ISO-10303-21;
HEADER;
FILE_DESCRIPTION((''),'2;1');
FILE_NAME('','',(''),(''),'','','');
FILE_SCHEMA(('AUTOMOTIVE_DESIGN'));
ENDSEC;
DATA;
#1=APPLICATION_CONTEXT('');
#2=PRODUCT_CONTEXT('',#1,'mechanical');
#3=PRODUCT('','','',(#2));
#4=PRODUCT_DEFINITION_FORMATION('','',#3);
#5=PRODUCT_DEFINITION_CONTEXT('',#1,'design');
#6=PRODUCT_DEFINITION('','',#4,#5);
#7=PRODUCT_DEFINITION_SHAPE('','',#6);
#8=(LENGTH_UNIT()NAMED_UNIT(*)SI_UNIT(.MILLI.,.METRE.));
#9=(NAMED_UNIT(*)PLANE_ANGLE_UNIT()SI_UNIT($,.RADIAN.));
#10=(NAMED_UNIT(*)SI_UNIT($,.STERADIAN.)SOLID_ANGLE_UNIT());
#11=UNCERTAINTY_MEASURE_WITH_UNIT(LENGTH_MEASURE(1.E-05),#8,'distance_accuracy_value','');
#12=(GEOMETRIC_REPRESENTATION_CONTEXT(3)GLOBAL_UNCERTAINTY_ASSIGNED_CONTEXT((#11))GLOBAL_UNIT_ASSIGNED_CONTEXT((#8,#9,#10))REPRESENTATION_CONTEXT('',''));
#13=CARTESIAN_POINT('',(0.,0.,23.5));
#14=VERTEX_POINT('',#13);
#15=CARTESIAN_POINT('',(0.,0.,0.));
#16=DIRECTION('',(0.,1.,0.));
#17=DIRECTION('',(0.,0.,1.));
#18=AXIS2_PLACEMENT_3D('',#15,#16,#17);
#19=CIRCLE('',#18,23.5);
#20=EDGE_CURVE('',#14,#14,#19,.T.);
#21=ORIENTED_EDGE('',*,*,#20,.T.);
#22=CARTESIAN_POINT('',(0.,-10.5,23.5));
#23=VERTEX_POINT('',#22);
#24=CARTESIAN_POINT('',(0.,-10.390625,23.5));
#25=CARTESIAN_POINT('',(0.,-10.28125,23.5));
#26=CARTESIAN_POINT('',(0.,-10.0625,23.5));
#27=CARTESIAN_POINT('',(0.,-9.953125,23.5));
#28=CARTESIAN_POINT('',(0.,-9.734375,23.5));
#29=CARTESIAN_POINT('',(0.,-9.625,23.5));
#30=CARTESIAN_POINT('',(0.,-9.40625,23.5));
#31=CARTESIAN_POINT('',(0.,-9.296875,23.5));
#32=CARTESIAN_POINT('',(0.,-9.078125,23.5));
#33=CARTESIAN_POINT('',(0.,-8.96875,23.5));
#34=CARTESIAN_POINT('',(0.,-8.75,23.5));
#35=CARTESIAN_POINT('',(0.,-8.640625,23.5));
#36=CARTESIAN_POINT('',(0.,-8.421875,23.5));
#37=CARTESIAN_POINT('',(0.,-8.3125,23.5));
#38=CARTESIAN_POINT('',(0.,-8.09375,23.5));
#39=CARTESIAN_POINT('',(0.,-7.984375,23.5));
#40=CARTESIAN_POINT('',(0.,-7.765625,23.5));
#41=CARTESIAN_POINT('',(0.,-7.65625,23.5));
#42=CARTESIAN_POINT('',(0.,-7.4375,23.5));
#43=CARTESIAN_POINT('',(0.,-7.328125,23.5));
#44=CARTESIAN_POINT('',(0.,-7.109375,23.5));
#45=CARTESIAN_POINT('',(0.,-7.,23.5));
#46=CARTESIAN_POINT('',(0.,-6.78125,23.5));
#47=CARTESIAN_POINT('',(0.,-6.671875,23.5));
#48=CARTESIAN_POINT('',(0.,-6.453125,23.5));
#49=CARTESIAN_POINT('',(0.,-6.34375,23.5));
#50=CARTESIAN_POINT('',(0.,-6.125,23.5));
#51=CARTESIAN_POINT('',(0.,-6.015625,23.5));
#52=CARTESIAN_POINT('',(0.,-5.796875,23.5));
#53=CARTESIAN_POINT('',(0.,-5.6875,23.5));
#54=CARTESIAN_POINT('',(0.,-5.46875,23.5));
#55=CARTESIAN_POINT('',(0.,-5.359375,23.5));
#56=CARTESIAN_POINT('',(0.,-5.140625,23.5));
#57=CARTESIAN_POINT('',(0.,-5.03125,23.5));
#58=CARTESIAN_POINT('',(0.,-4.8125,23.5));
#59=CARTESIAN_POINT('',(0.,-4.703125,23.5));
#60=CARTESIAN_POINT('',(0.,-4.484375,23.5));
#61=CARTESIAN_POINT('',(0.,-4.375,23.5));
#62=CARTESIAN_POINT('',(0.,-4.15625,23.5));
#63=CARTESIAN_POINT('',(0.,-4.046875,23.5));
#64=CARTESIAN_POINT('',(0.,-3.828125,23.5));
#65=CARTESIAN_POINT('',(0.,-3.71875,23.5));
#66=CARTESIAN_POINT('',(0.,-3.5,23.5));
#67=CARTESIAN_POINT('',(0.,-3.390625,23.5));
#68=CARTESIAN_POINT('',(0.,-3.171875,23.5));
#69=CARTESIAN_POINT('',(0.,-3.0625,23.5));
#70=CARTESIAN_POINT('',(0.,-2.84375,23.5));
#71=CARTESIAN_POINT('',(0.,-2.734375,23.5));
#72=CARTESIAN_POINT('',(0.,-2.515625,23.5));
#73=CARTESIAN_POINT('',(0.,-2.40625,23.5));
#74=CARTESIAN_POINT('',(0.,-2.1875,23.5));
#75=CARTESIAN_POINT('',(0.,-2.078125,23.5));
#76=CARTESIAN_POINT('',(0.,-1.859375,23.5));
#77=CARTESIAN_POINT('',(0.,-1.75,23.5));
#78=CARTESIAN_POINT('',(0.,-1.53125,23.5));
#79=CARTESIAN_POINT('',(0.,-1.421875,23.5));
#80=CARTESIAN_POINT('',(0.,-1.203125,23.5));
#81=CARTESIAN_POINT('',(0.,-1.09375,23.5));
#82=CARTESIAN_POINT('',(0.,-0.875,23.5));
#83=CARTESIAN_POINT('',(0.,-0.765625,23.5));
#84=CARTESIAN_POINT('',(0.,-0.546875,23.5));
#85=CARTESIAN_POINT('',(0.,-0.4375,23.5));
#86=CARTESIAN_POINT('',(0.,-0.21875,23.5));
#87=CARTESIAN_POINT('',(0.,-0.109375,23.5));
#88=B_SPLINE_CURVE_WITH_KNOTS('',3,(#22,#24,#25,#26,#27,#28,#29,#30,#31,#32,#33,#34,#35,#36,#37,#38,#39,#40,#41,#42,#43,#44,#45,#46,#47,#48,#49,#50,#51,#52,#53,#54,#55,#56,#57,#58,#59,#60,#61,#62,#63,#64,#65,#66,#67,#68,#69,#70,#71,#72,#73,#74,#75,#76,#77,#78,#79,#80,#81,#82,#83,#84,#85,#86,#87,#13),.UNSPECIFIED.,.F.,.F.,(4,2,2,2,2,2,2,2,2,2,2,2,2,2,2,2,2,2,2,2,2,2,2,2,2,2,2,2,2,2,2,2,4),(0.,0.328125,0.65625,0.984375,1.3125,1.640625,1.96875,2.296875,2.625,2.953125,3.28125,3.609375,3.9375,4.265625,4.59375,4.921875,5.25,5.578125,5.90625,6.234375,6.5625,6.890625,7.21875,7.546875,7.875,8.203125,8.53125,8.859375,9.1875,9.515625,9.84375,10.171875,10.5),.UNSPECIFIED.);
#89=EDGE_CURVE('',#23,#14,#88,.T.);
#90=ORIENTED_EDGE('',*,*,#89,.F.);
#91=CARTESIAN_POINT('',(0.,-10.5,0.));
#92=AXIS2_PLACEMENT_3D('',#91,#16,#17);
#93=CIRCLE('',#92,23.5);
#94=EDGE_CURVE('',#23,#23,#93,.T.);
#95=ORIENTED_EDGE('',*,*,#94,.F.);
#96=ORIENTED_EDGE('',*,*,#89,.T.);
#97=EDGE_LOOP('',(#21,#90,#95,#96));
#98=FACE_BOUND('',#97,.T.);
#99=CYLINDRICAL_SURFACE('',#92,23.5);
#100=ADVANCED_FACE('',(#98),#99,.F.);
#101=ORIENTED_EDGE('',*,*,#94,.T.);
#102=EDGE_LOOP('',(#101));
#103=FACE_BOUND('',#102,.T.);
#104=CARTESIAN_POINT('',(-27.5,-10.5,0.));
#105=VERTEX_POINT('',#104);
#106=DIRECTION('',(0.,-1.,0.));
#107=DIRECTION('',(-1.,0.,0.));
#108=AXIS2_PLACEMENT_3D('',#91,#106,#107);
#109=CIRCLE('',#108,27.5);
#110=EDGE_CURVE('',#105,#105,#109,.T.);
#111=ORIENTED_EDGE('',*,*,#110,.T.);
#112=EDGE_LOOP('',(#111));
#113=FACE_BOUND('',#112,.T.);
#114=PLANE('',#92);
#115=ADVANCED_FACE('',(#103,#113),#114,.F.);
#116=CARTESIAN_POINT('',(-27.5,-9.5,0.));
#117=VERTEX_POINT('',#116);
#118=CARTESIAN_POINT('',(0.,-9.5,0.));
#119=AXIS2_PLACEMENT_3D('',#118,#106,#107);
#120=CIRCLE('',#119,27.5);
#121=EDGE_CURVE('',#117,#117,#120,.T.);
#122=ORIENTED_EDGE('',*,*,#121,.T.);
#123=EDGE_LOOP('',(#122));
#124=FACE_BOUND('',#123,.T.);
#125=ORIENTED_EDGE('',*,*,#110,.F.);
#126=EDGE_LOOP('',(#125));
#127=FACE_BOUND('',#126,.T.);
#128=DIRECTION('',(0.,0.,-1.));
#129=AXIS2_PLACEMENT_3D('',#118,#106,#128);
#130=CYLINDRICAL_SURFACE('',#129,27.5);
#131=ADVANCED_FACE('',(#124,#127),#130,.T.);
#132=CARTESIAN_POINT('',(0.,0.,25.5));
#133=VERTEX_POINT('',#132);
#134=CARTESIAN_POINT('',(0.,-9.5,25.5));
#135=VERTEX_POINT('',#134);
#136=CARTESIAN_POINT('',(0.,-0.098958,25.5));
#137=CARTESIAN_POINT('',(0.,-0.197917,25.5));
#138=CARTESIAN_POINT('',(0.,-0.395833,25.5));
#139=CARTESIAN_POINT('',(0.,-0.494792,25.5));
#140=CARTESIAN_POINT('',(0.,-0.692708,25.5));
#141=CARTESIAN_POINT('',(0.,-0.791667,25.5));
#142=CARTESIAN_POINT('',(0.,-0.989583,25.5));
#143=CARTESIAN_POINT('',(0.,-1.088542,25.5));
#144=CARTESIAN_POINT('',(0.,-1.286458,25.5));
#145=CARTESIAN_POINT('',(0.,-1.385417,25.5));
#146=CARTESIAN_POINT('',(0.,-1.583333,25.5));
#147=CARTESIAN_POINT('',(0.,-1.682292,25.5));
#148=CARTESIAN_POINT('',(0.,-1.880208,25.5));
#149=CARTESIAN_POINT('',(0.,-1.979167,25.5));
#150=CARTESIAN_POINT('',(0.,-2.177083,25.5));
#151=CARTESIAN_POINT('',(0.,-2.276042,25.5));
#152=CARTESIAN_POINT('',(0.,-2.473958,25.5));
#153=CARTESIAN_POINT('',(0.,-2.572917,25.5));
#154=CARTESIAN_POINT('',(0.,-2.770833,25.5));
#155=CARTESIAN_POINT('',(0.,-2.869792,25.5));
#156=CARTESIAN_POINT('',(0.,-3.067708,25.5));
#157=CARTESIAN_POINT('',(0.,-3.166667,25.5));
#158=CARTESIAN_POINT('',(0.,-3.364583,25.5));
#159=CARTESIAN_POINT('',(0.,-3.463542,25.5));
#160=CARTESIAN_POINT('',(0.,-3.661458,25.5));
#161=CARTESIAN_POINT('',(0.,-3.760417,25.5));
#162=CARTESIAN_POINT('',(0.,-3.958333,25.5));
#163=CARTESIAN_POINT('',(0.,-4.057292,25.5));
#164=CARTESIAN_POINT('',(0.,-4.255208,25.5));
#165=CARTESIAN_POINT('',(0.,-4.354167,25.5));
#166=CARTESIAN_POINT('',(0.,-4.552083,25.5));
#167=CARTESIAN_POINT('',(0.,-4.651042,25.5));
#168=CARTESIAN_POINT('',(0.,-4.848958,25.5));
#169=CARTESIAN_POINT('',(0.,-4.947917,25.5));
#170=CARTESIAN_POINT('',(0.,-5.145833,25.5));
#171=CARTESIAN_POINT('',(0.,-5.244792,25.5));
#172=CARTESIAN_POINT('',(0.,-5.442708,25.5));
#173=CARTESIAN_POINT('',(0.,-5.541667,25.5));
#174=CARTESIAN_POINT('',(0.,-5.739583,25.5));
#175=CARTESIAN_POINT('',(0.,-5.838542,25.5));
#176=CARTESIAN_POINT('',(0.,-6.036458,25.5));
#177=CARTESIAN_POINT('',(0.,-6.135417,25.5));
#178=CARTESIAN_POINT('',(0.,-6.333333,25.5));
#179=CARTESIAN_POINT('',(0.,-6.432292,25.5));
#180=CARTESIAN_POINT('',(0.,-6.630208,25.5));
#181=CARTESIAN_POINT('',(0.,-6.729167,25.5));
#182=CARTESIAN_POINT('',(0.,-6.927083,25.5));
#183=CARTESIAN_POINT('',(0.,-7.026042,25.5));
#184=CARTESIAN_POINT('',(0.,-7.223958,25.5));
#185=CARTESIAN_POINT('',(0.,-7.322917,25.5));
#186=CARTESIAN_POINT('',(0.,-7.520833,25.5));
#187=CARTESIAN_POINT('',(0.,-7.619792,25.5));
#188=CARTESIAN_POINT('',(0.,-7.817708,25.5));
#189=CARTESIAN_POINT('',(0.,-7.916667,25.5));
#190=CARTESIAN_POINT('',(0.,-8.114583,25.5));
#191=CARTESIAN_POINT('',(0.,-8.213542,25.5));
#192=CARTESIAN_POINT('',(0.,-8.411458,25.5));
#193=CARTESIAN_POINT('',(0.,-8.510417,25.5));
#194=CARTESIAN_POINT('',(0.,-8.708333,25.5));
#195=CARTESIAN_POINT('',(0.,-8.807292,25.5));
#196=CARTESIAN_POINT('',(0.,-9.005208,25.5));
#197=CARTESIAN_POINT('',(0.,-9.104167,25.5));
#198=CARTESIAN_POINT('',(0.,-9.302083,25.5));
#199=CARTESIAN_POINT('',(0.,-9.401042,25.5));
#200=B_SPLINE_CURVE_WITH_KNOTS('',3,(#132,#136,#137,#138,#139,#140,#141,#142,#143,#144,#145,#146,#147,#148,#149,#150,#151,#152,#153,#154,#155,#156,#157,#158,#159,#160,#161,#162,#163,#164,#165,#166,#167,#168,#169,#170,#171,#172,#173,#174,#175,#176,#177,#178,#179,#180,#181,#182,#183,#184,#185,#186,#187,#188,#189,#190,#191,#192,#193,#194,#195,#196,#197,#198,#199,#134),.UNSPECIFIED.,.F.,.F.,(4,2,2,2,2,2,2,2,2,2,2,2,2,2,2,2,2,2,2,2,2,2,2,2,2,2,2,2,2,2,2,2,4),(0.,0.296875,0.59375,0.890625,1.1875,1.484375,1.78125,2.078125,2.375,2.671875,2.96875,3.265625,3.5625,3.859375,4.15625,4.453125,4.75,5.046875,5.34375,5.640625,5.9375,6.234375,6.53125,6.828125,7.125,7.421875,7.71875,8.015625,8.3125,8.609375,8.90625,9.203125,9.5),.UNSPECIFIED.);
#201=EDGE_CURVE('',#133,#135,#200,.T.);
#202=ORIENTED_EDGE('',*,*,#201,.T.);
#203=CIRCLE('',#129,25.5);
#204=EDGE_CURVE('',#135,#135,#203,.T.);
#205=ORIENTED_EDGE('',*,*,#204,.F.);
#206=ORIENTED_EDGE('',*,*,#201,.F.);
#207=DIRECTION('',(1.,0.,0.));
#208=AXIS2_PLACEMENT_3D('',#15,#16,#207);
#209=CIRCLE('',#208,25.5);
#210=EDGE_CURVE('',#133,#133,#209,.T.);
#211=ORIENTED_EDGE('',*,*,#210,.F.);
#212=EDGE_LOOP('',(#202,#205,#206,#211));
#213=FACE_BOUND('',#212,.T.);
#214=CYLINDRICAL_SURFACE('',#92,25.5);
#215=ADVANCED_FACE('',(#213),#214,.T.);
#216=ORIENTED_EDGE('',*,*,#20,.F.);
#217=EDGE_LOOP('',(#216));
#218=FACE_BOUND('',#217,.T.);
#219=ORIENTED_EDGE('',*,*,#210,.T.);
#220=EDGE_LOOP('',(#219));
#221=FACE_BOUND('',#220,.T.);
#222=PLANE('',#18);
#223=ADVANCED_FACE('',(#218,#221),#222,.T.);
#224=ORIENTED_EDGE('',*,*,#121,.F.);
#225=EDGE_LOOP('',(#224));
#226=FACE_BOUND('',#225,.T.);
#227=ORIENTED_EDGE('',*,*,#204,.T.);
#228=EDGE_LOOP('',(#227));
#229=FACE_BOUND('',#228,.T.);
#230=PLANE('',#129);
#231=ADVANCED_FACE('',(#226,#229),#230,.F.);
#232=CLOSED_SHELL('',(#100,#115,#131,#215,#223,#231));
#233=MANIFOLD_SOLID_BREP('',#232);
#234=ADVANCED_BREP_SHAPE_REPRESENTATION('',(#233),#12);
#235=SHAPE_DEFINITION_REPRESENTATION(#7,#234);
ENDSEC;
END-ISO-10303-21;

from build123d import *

# Parameters (mm, degrees)
SKETCH1_R           = 25.5
SKETCH1_R_2         = 23.5
EXTRUDE_THIN1_DEPTH = 10.5
EXTRUDE_THIN2_START = -1
SKETCH2_R           = 27.5
SKETCH2_R_2         = 25.5
EXTRUDE_THIN2_DEPTH = 1


with BuildPart() as part:
    # Sketch1 → Extrude-Thin1 (new body)
    with BuildSketch(Plane(origin=(0, 0, 0), x_dir=(1, 0, 0), z_dir=(0, 1, 0))):
        Circle(SKETCH1_R)
        Circle(SKETCH1_R_2, mode=Mode.SUBTRACT)
    extrude(amount=-EXTRUDE_THIN1_DEPTH)

    # Sketch2 → Extrude-Thin2 (add)
    with BuildSketch(Plane(origin=(0, -10.5, 0), x_dir=(-1, 0, 0), z_dir=(0, -1, 0)).offset(EXTRUDE_THIN2_START)):
        Circle(SKETCH2_R)
        Circle(SKETCH2_R_2, mode=Mode.SUBTRACT)
    extrude(amount=EXTRUDE_THIN2_DEPTH)


solid = part.part
